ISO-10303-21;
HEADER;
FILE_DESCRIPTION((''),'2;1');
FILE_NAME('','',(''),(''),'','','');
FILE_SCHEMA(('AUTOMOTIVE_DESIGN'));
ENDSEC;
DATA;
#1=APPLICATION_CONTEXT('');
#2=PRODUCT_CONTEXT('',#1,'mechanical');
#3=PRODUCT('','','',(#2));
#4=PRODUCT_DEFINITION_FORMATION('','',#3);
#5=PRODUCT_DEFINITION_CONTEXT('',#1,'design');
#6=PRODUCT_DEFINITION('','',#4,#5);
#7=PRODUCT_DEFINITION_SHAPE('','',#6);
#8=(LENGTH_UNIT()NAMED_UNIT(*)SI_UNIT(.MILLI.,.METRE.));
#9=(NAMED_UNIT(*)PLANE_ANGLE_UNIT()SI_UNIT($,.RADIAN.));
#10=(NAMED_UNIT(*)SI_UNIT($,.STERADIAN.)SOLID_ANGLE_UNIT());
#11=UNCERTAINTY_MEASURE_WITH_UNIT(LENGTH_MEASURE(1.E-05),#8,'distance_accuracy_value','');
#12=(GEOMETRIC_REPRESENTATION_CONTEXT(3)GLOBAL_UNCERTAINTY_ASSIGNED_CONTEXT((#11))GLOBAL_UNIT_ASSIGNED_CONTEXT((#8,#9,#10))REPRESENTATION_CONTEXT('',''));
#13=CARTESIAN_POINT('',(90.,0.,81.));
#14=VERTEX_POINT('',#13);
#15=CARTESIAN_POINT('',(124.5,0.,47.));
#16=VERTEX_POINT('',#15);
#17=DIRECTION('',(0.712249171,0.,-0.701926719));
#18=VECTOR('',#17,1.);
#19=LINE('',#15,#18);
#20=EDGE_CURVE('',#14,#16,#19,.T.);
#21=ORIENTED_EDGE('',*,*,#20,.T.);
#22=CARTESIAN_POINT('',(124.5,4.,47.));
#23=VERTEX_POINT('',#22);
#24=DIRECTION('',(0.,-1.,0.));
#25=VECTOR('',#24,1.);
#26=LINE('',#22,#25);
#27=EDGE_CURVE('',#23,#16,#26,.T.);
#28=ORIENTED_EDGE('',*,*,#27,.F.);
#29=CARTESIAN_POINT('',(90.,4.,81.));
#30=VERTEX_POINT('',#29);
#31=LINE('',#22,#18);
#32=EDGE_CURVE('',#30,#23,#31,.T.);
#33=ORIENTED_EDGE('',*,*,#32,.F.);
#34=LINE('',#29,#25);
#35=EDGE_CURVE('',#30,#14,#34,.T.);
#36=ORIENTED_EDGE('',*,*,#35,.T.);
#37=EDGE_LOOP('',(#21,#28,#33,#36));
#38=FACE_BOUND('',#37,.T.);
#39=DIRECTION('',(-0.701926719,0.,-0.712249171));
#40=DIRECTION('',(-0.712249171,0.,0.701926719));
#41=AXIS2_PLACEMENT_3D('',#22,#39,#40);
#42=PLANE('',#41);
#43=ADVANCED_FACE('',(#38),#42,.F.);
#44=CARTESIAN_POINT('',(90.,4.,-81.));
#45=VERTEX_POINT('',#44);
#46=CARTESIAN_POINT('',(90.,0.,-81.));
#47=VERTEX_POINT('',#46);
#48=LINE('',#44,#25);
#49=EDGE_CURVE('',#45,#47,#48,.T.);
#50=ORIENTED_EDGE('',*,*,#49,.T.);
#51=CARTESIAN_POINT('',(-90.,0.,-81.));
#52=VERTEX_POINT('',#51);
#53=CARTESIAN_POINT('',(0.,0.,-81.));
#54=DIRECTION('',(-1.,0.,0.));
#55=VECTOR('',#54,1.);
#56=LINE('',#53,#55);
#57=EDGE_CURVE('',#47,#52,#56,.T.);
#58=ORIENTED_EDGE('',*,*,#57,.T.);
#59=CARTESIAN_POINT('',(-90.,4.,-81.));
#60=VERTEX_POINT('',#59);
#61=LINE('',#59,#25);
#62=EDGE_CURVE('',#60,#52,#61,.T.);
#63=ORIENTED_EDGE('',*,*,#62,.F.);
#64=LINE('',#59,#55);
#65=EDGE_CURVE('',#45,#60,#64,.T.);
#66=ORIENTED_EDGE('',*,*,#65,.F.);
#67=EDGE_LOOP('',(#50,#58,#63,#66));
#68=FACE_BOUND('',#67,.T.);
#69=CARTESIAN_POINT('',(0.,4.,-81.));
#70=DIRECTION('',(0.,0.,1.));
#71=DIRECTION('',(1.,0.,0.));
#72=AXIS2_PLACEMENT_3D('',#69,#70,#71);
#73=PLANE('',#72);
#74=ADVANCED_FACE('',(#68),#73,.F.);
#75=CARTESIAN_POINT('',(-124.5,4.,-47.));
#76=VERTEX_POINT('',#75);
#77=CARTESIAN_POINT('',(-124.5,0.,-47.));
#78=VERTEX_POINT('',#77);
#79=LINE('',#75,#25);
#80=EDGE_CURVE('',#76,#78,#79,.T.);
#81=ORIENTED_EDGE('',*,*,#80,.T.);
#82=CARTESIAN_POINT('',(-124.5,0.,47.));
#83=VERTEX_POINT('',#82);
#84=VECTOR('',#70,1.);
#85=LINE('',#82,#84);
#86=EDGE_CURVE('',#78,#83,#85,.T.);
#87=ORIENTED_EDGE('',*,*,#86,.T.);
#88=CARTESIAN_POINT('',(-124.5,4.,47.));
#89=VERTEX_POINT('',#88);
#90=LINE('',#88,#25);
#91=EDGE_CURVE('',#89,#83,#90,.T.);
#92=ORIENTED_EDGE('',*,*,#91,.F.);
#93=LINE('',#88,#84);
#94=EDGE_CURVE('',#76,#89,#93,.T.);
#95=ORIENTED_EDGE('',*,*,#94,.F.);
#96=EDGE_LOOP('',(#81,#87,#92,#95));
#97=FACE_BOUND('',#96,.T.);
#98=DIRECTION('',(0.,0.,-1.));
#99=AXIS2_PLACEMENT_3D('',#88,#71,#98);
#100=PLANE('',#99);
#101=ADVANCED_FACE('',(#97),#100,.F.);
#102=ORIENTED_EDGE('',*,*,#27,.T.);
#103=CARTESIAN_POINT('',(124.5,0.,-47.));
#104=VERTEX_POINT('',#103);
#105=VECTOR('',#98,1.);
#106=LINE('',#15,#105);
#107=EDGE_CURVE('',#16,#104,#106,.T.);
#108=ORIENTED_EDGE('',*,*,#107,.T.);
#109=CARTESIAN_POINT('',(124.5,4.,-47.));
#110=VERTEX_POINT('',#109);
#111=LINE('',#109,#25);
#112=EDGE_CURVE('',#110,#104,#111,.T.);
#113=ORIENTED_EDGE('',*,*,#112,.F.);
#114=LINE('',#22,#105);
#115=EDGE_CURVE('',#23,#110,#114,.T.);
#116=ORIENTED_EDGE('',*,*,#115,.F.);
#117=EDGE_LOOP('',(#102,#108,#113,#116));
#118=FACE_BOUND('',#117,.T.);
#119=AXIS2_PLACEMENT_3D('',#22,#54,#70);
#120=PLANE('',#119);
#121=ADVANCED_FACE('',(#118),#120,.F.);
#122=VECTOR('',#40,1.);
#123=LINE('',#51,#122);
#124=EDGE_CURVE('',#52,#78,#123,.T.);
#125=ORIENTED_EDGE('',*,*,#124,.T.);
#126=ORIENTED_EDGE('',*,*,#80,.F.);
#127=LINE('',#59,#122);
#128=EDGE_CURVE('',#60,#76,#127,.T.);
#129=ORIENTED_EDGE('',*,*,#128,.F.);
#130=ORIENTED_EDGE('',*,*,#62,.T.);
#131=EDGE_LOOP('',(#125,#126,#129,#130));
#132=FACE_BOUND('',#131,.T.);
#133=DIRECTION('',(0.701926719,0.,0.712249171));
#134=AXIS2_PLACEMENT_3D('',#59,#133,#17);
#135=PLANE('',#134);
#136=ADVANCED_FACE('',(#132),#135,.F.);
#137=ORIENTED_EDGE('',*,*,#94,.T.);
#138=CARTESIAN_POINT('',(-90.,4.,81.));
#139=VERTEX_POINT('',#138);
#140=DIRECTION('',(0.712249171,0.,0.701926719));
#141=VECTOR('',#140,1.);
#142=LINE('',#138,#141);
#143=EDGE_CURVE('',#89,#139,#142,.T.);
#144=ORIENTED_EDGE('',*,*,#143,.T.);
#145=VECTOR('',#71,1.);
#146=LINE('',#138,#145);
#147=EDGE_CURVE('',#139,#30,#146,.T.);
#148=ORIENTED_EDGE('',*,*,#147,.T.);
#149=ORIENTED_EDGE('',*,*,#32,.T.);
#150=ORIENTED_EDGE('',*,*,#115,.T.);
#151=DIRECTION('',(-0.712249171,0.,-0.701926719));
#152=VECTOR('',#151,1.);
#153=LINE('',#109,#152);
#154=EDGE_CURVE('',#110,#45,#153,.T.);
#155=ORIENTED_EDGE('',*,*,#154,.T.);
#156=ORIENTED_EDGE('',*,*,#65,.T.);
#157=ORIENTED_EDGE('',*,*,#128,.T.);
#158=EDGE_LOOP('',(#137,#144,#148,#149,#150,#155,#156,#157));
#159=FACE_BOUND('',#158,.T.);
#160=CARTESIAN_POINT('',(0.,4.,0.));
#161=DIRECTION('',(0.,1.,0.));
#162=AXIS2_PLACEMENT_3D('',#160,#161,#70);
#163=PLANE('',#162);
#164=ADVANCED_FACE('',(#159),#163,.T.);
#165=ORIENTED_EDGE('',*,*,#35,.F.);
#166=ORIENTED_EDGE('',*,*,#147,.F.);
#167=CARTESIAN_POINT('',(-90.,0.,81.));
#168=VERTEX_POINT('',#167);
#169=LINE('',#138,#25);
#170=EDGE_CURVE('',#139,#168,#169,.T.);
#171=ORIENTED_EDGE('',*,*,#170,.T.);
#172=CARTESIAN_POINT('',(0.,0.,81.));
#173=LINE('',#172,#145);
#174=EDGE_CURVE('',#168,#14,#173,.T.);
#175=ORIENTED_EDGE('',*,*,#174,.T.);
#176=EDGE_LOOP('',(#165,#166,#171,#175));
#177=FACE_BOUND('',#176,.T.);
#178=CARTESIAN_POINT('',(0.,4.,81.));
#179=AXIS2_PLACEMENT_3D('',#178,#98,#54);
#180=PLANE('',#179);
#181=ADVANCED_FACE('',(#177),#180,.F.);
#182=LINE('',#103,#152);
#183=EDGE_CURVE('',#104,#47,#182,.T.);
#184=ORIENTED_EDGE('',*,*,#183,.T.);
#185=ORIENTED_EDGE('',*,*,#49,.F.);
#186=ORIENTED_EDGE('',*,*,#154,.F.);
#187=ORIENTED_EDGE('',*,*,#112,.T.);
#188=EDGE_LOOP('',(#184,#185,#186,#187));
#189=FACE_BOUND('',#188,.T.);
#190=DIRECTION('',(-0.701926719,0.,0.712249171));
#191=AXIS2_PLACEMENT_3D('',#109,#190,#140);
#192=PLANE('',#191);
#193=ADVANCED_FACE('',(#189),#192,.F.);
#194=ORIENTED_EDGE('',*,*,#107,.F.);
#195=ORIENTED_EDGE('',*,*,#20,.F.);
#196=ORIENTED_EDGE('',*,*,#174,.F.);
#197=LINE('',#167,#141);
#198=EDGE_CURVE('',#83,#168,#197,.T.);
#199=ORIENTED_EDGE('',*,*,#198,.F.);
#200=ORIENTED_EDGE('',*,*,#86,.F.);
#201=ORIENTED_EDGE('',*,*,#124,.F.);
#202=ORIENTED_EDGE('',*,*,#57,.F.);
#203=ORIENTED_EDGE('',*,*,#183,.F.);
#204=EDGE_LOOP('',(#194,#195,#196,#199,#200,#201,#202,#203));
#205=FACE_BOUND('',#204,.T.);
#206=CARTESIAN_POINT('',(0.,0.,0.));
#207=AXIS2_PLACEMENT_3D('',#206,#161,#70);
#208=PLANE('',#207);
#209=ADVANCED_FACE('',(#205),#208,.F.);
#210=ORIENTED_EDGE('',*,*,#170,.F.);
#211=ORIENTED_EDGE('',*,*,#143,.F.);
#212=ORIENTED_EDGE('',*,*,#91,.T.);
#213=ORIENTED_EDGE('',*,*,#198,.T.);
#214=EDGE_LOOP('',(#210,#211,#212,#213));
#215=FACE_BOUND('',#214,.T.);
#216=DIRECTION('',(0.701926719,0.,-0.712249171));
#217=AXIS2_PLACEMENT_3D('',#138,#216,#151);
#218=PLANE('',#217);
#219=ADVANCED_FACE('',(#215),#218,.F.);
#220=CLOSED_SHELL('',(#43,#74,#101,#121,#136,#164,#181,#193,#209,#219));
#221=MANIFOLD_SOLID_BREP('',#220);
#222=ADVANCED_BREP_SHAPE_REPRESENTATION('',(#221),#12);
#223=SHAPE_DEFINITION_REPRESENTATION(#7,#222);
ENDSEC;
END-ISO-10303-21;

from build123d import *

# Parameters (mm, degrees)
SALIENTE_EXTRUIR1_DEPTH = 4


with BuildPart() as part:
    # Croquis1 → Saliente-Extruir1 (new body)
    with BuildSketch(Plane(origin=(0, 0, 0), x_dir=(1, 0, 0), z_dir=(0, 1, 0))):
        Polygon((-90, 81), (-124.5, 47), (-124.5, -47), (-90, -81), (0, -81), (90, -81), (124.5, -47), (124.5, 47), (90, 81), (0, 81), align=None)
    extrude(amount=SALIENTE_EXTRUIR1_DEPTH)


solid = part.part
